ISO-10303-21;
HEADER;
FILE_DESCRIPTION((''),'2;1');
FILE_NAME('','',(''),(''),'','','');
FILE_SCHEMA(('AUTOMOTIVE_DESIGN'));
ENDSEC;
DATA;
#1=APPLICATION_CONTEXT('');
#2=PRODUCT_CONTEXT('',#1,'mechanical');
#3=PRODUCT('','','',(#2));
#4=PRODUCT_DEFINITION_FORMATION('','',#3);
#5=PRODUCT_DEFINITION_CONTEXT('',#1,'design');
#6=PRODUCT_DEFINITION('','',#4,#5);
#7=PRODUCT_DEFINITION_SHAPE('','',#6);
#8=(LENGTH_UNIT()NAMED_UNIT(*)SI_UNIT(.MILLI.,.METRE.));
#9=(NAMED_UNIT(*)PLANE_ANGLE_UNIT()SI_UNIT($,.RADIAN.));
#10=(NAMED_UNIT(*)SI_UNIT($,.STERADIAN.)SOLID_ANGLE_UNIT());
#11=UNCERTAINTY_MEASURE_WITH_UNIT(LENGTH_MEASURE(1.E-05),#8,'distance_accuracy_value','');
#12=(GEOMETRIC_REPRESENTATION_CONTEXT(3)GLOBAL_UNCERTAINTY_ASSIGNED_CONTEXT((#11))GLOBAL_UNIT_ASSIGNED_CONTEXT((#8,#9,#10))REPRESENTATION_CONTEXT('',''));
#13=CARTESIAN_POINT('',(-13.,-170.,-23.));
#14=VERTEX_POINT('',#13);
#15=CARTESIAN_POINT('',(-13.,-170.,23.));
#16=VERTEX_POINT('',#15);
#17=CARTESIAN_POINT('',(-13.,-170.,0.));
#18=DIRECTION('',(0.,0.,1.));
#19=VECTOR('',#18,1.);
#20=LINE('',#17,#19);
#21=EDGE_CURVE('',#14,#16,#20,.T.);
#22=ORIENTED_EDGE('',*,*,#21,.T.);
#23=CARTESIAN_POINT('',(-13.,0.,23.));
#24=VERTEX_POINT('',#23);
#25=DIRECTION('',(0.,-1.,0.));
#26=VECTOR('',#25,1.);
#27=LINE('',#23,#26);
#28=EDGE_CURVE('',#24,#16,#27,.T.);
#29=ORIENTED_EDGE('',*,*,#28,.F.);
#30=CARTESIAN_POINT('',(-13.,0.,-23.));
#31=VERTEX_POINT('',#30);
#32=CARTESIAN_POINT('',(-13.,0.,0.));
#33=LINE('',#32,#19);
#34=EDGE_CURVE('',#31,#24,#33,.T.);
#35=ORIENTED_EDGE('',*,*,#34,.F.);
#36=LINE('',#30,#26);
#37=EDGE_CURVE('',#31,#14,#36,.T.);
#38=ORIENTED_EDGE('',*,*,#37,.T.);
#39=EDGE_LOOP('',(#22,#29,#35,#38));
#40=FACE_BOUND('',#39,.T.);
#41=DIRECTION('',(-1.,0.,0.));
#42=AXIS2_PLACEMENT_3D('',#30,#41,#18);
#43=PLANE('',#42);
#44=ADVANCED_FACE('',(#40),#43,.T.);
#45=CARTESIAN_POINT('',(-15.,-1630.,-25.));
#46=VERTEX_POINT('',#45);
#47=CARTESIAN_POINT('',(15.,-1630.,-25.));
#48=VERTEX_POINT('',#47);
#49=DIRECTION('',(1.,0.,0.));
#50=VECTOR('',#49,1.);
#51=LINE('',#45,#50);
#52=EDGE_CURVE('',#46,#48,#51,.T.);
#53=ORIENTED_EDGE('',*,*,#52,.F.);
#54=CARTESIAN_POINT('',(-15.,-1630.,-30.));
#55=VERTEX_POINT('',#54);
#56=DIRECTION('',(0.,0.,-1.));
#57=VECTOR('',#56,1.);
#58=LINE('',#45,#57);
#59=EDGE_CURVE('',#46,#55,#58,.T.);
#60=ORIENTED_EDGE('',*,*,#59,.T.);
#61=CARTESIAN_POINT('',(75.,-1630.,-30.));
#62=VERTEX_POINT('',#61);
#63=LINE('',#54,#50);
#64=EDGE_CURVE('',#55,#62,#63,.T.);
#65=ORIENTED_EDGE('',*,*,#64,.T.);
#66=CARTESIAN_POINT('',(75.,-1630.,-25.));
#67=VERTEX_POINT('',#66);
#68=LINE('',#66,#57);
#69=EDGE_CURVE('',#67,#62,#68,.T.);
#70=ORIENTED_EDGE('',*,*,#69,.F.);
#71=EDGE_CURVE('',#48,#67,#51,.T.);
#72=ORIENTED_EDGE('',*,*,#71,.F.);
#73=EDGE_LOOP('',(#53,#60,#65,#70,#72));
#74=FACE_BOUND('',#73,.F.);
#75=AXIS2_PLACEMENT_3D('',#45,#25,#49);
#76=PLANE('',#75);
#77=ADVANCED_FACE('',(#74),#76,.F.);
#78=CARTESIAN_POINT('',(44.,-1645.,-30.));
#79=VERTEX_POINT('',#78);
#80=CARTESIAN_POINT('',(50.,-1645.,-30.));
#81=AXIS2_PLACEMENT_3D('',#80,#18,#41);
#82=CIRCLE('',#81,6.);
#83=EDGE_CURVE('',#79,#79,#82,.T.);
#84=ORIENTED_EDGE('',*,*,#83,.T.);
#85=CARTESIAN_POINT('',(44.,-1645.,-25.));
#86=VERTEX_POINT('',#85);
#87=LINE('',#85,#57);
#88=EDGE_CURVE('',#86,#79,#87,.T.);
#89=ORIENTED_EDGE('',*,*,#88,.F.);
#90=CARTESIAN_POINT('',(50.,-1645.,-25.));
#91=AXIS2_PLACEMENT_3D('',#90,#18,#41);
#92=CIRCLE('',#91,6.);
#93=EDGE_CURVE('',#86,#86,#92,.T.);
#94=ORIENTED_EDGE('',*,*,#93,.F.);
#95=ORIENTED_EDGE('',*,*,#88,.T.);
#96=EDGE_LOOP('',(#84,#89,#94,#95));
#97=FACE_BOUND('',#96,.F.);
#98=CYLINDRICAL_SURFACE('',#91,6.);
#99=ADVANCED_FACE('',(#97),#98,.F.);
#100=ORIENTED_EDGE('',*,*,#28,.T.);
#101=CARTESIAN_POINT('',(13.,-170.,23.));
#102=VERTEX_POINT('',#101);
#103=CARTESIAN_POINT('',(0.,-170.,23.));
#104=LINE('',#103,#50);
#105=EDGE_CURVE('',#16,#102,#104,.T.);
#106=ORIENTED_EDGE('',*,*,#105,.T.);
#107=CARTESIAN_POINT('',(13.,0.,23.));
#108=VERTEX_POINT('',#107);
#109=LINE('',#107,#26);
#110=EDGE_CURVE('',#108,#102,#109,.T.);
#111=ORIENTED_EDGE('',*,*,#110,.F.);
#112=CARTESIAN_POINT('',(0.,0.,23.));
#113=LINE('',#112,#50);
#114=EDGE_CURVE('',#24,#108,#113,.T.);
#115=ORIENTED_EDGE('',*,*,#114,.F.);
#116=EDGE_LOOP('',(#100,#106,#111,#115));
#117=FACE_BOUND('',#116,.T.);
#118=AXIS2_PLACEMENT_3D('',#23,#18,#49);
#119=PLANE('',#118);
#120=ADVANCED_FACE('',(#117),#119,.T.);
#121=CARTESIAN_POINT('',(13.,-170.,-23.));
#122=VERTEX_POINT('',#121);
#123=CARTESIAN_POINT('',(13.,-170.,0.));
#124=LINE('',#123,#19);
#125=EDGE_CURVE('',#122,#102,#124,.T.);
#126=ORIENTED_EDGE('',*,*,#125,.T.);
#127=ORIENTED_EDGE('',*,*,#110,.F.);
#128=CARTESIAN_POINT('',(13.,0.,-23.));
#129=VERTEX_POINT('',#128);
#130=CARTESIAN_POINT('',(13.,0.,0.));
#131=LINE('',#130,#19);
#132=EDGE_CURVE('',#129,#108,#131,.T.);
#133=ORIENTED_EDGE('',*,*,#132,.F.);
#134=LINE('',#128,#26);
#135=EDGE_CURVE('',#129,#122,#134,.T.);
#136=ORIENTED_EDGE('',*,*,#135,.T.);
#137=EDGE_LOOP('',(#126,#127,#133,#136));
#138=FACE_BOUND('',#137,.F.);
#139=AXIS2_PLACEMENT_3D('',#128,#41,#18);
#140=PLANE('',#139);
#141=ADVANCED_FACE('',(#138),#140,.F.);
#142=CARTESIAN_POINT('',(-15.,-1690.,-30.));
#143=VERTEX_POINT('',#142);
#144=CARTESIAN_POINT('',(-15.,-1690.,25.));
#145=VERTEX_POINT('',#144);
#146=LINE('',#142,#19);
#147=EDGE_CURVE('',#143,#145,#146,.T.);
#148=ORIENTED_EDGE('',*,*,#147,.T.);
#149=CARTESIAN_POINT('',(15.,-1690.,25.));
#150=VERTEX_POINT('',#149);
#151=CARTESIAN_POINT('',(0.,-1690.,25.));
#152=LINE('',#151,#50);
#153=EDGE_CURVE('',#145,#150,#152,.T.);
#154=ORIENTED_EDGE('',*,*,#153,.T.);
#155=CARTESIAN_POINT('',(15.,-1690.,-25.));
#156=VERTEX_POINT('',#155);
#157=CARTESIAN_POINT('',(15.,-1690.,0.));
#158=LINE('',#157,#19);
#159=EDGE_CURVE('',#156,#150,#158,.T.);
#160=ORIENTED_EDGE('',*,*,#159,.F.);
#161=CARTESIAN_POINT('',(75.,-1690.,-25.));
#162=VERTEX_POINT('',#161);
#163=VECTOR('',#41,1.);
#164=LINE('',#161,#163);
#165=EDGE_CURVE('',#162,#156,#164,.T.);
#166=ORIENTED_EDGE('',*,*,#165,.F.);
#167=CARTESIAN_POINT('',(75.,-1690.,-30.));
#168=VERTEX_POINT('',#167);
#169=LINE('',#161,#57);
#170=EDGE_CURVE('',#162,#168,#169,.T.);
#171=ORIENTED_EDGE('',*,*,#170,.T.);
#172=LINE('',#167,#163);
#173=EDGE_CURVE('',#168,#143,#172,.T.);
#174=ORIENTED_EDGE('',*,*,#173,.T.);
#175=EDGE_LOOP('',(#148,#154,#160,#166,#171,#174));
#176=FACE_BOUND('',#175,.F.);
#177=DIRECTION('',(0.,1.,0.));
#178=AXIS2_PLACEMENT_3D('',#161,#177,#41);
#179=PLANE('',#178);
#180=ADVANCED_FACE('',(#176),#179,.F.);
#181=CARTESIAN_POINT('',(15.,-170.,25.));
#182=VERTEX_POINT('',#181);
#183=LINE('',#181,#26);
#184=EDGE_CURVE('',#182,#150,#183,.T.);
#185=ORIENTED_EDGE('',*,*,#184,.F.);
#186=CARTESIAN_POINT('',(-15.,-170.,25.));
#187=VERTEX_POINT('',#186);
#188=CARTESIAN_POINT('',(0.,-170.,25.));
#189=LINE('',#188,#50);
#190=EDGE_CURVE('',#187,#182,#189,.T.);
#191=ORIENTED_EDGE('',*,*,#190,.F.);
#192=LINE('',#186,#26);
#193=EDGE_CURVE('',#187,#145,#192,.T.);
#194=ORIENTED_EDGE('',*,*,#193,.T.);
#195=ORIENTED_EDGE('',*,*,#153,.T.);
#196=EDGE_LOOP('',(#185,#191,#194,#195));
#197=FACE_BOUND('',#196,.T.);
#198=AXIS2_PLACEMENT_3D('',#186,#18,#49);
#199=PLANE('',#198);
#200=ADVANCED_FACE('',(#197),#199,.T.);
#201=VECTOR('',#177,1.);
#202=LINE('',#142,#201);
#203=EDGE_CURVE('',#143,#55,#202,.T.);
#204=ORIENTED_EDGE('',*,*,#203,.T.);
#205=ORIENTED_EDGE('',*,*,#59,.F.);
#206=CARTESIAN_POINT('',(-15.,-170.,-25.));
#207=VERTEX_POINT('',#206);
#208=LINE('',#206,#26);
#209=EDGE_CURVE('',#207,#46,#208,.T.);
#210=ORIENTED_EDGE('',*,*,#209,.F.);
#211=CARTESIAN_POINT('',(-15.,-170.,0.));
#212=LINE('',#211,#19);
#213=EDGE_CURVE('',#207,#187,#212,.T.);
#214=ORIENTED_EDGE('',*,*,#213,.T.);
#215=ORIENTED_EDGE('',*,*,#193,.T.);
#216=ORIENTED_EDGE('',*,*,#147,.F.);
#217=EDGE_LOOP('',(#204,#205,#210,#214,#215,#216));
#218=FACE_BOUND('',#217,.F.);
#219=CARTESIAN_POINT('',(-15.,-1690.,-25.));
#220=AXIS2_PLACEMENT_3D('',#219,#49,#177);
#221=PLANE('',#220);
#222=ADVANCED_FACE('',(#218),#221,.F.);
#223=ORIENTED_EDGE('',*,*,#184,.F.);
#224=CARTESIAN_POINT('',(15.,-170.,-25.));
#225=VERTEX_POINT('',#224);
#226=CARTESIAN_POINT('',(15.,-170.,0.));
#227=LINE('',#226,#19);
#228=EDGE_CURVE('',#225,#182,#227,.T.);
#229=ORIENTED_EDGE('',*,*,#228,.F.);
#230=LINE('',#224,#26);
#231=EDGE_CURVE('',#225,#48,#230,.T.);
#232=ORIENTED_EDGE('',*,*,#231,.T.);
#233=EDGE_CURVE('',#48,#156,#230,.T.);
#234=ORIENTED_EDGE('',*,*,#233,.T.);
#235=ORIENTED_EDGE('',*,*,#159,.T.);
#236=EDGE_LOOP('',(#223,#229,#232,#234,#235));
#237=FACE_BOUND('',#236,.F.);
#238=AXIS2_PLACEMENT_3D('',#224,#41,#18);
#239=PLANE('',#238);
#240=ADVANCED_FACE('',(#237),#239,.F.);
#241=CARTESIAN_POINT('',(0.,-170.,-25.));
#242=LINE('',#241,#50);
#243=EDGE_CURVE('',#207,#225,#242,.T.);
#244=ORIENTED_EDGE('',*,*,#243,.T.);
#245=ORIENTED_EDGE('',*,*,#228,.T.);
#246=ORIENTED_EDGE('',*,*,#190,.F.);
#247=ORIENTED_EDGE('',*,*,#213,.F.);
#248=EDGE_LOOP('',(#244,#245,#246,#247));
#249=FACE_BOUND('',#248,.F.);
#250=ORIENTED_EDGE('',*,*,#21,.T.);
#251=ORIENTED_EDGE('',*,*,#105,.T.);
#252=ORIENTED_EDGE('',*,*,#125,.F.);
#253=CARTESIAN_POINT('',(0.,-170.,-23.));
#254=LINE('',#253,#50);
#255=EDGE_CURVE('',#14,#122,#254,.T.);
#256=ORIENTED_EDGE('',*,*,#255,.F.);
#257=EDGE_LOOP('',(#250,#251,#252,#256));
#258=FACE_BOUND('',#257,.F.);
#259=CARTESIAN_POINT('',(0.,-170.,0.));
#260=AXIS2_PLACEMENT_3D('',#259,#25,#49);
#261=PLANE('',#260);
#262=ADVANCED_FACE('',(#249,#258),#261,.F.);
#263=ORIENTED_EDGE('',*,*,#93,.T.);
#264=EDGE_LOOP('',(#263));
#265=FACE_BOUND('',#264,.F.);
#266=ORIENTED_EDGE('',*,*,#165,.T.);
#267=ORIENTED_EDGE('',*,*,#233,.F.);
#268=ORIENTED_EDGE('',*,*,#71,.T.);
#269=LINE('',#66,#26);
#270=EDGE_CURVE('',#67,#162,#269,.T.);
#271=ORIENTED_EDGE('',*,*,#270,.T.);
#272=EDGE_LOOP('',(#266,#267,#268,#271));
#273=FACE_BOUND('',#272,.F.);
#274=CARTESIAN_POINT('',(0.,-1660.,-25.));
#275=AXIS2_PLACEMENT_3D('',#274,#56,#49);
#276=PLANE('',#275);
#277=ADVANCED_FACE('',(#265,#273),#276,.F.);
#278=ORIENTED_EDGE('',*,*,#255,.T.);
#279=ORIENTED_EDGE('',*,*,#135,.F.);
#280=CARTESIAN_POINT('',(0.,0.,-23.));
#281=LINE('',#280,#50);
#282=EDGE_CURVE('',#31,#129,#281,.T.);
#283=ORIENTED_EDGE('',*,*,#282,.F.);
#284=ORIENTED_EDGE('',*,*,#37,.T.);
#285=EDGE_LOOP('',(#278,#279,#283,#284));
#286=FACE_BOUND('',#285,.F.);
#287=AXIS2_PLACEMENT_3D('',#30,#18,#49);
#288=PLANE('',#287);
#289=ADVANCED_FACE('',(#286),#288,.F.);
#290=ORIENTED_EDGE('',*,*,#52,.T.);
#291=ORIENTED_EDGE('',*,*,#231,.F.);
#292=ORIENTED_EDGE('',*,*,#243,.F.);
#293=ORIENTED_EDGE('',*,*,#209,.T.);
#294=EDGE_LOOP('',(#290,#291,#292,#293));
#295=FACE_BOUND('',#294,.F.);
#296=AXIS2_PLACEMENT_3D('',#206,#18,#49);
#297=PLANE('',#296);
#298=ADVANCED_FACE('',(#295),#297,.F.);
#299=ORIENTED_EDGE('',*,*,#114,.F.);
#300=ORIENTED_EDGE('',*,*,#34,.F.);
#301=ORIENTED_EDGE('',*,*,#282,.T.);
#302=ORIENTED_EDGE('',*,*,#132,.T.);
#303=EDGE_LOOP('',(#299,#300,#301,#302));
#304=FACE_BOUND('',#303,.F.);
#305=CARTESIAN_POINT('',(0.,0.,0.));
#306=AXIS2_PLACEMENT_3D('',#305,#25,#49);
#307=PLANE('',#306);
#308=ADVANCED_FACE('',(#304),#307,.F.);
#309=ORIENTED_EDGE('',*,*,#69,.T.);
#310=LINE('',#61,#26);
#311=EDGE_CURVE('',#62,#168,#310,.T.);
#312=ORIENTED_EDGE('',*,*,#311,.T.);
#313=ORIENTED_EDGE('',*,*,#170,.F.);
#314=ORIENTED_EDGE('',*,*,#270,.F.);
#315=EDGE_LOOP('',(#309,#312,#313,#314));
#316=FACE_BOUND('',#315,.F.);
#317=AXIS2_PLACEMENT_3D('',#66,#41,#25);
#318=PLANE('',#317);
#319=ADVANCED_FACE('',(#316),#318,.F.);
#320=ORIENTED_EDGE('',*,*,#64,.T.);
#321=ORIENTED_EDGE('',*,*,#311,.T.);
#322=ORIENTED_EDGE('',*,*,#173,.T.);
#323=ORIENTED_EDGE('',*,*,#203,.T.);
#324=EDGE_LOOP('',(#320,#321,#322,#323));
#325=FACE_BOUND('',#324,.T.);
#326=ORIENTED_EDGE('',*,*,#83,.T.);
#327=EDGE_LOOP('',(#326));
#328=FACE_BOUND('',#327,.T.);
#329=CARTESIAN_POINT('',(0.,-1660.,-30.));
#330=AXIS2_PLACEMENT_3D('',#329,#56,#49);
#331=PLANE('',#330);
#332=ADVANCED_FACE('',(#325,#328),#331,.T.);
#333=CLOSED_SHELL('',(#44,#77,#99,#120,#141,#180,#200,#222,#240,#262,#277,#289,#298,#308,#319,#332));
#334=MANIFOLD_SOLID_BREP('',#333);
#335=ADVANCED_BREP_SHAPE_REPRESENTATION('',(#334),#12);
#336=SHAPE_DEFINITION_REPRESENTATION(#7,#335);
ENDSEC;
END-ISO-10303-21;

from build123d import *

# Parameters (mm, degrees)
F0_W     = 26
F0_H     = 46
F1_DEPTH = 170
F2_W     = 30
F2_H     = 50
F3_DEPTH = 1520
F5_DEPTH = 5


with BuildPart() as f1:
    # F0 (on Front) → F1 (new body)
    with BuildSketch(Plane.XZ):
        Rectangle(F0_W, F0_H)
    extrude(amount=F1_DEPTH)

    # F2 (on face) → F3 (join)
    with BuildSketch(Plane.XZ.offset(170)):
        Rectangle(F2_W, F2_H)
    extrude(amount=F3_DEPTH)

    # F4 (on face) → F5 (join)
    with BuildSketch(Plane(origin=(0, 0, -25), x_dir=(1, 0, 0), z_dir=(0, 0, -1))):
        Polygon((15, 1690), (-15, 1690), (-15, 1630), (15, 1630), (15, 1645), align=None)
        with BuildLine():
            ThreePointArc((56, 1645), (50, 1651), (44, 1645))
            ThreePointArc((44, 1645), (50, 1639), (56, 1645))
        make_face()
        Polygon((75, 1690), (15, 1690), (15, 1645), (15, 1630), (75, 1630), align=None)
        with BuildLine():
            ThreePointArc((56, 1645), (50, 1639), (44, 1645))
            ThreePointArc((44, 1645), (50, 1651), (56, 1645))
        make_face(mode=Mode.SUBTRACT)
    extrude(amount=F5_DEPTH)


solid = f1.part
